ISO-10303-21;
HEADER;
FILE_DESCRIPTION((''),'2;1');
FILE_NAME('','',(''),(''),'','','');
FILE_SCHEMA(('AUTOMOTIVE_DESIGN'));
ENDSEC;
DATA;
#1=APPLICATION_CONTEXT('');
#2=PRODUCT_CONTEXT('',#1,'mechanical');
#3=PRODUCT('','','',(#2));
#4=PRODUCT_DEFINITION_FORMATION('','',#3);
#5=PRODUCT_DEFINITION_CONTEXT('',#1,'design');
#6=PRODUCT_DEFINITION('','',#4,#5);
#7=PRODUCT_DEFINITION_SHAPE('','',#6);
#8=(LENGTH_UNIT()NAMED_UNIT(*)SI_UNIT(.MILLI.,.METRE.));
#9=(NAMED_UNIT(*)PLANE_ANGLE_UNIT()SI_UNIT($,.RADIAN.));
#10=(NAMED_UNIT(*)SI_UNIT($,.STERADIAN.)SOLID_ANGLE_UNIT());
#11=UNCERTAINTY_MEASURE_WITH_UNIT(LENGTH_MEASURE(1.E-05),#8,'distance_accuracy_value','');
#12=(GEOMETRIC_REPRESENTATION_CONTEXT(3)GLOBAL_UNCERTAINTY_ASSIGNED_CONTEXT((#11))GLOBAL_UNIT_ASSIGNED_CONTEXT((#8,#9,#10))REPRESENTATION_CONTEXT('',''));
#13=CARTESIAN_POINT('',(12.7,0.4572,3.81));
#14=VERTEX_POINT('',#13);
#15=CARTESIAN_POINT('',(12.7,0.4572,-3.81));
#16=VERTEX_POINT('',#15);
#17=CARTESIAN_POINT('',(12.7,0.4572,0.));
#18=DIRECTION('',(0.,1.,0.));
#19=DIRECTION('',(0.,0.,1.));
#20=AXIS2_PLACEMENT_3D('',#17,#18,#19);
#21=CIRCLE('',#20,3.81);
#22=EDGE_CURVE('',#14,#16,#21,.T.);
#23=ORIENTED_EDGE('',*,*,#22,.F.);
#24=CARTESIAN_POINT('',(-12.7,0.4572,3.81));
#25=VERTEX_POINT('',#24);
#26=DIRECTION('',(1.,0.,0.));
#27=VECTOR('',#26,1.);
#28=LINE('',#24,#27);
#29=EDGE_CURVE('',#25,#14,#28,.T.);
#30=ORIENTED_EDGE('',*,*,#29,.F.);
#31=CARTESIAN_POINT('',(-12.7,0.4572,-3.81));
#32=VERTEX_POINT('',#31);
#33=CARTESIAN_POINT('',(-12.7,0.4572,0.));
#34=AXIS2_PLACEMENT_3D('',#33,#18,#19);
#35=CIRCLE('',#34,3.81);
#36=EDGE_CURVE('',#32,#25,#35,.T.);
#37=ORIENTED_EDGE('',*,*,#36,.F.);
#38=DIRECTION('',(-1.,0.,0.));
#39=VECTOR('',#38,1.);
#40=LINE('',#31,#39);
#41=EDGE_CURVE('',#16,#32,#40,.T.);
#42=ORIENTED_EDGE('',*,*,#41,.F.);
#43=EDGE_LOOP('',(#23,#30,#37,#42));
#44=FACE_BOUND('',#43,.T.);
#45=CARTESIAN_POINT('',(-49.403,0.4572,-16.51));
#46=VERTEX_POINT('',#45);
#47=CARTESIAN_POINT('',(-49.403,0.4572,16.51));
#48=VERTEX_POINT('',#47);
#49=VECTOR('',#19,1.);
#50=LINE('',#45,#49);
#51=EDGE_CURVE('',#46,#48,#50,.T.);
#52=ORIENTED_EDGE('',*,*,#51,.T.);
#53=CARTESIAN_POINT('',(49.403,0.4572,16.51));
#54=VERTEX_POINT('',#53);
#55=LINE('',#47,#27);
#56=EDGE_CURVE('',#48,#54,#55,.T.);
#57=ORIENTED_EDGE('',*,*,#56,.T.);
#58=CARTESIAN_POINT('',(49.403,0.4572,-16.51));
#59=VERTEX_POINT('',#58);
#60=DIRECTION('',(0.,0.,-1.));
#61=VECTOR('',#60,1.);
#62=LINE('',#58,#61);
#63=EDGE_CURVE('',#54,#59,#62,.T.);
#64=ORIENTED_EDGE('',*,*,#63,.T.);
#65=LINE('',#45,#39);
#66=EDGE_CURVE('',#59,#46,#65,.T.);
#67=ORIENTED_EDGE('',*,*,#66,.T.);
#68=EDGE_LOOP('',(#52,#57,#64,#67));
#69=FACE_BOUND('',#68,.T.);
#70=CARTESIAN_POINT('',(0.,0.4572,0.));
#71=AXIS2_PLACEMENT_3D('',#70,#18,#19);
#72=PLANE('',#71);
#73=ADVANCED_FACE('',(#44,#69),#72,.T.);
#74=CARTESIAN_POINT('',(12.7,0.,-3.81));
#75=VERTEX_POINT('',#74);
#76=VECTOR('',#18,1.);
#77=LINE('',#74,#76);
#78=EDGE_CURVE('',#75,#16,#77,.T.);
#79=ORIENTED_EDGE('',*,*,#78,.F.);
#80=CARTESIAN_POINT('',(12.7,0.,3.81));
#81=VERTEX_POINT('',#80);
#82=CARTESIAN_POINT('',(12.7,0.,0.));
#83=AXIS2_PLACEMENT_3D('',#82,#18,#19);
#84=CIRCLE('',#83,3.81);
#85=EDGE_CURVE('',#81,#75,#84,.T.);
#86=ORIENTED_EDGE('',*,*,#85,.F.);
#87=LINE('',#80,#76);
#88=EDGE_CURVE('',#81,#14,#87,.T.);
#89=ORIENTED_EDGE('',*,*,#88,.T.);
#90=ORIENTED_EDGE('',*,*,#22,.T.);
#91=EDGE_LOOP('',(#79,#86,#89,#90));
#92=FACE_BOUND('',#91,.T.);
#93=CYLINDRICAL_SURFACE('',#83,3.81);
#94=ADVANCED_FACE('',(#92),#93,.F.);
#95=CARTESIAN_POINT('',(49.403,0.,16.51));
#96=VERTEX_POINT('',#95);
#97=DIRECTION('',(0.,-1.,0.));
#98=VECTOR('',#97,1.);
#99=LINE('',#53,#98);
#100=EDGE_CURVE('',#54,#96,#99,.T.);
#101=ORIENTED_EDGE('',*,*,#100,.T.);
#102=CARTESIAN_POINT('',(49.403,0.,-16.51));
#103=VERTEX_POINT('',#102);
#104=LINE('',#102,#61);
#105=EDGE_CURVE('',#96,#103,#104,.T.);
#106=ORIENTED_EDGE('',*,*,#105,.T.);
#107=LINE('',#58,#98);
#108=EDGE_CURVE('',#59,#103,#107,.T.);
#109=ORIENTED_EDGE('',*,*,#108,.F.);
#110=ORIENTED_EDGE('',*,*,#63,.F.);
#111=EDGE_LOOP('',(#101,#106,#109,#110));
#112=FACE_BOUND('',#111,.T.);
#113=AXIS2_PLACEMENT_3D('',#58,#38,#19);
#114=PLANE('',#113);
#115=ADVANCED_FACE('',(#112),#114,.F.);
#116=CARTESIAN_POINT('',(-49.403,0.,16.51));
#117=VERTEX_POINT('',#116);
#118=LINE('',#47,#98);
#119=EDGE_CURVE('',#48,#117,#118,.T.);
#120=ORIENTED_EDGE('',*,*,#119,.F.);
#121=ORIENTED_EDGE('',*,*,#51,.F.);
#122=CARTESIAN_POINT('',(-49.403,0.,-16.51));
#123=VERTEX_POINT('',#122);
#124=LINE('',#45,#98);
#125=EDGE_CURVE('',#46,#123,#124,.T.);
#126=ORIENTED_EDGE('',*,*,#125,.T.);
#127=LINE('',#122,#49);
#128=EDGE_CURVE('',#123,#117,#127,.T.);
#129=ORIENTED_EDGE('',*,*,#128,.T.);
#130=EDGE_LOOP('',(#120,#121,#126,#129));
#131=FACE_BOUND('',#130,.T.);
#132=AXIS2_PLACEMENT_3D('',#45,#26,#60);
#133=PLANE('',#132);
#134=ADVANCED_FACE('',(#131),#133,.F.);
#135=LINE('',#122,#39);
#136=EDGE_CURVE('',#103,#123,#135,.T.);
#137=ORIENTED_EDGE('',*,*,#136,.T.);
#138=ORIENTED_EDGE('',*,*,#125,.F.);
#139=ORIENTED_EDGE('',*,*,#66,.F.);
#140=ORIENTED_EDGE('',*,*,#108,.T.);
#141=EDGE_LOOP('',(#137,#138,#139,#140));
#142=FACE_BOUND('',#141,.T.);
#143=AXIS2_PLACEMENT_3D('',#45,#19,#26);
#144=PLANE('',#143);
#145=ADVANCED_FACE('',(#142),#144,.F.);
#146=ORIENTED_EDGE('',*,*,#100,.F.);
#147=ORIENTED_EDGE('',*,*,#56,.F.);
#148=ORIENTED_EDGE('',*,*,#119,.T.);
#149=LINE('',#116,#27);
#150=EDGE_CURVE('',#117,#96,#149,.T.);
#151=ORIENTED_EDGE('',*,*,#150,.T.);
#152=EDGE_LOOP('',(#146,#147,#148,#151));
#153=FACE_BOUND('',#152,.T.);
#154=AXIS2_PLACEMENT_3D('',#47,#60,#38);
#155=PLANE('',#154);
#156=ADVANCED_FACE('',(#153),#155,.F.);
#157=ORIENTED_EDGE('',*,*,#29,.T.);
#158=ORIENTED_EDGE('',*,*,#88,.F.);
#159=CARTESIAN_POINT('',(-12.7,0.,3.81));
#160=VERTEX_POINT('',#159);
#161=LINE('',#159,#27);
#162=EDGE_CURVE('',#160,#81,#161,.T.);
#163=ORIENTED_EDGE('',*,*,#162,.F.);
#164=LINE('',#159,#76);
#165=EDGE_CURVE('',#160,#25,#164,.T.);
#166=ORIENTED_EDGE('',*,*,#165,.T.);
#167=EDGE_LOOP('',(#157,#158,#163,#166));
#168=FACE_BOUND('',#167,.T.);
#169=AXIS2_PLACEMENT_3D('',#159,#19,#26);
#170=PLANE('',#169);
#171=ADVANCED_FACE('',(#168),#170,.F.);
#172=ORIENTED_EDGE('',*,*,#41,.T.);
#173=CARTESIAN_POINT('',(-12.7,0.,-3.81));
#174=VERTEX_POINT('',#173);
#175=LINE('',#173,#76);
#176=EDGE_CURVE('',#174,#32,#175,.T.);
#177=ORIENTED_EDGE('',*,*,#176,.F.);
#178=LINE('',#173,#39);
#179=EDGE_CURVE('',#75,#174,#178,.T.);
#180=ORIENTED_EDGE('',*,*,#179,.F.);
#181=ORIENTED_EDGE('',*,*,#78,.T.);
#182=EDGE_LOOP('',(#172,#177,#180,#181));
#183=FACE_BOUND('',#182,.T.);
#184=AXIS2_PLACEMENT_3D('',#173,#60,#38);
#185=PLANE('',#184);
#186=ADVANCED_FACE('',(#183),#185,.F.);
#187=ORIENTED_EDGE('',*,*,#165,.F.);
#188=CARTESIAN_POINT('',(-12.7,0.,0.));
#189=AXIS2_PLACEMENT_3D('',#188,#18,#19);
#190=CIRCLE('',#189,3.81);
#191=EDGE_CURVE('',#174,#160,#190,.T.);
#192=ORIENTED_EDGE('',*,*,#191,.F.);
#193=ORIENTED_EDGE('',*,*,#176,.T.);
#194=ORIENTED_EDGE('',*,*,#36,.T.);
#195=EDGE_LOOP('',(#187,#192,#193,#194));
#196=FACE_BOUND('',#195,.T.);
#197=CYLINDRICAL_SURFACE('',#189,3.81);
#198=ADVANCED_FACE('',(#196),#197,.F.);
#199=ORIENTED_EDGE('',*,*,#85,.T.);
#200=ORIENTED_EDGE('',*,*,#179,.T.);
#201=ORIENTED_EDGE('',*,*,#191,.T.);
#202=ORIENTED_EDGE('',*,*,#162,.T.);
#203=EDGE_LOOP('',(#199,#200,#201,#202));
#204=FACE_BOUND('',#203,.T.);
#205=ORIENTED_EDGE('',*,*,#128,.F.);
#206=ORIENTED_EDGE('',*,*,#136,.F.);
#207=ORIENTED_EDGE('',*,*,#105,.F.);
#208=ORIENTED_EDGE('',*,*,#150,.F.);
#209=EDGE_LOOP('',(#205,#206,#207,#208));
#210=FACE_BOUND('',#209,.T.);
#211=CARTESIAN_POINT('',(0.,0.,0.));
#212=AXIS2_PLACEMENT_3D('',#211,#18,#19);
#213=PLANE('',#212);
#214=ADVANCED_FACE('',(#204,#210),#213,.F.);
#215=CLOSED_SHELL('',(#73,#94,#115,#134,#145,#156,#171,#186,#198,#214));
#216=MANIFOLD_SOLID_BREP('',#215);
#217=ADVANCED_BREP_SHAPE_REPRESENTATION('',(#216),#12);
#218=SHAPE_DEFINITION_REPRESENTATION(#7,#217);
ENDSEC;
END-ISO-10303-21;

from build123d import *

# Parameters (mm, degrees)
SKETCH1_W           = 98.806
SKETCH1_H           = 33.02
BOSS_EXTRUDE1_DEPTH = 0.4572
CUT_EXTRUDE1_DEPTH  = 1.4572


with BuildPart() as part:
    # Sketch1 → Boss-Extrude1 (new body)
    with BuildSketch(Plane(origin=(0, 0, 0), x_dir=(1, 0, 0), z_dir=(0, 1, 0))):
        Rectangle(SKETCH1_W, SKETCH1_H)
    extrude(amount=BOSS_EXTRUDE1_DEPTH)

    # Sketch2 → Cut-Extrude1 (cut, through all)
    with BuildSketch(Plane(origin=(0, 0.4572, 0), x_dir=(1, 0, 0), z_dir=(0, 1, 0))):
        with BuildLine():
            Line((-12.7, 3.81), (12.7, 3.81))
            ThreePointArc((12.7, 3.81), (16.51, 0), (12.7, -3.81))
            Line((12.7, -3.81), (-12.7, -3.81))
            ThreePointArc((-12.7, -3.81), (-16.51, 0), (-12.7, 3.81))
        make_face()
    extrude(amount=-CUT_EXTRUDE1_DEPTH, mode=Mode.SUBTRACT)


solid = part.part
